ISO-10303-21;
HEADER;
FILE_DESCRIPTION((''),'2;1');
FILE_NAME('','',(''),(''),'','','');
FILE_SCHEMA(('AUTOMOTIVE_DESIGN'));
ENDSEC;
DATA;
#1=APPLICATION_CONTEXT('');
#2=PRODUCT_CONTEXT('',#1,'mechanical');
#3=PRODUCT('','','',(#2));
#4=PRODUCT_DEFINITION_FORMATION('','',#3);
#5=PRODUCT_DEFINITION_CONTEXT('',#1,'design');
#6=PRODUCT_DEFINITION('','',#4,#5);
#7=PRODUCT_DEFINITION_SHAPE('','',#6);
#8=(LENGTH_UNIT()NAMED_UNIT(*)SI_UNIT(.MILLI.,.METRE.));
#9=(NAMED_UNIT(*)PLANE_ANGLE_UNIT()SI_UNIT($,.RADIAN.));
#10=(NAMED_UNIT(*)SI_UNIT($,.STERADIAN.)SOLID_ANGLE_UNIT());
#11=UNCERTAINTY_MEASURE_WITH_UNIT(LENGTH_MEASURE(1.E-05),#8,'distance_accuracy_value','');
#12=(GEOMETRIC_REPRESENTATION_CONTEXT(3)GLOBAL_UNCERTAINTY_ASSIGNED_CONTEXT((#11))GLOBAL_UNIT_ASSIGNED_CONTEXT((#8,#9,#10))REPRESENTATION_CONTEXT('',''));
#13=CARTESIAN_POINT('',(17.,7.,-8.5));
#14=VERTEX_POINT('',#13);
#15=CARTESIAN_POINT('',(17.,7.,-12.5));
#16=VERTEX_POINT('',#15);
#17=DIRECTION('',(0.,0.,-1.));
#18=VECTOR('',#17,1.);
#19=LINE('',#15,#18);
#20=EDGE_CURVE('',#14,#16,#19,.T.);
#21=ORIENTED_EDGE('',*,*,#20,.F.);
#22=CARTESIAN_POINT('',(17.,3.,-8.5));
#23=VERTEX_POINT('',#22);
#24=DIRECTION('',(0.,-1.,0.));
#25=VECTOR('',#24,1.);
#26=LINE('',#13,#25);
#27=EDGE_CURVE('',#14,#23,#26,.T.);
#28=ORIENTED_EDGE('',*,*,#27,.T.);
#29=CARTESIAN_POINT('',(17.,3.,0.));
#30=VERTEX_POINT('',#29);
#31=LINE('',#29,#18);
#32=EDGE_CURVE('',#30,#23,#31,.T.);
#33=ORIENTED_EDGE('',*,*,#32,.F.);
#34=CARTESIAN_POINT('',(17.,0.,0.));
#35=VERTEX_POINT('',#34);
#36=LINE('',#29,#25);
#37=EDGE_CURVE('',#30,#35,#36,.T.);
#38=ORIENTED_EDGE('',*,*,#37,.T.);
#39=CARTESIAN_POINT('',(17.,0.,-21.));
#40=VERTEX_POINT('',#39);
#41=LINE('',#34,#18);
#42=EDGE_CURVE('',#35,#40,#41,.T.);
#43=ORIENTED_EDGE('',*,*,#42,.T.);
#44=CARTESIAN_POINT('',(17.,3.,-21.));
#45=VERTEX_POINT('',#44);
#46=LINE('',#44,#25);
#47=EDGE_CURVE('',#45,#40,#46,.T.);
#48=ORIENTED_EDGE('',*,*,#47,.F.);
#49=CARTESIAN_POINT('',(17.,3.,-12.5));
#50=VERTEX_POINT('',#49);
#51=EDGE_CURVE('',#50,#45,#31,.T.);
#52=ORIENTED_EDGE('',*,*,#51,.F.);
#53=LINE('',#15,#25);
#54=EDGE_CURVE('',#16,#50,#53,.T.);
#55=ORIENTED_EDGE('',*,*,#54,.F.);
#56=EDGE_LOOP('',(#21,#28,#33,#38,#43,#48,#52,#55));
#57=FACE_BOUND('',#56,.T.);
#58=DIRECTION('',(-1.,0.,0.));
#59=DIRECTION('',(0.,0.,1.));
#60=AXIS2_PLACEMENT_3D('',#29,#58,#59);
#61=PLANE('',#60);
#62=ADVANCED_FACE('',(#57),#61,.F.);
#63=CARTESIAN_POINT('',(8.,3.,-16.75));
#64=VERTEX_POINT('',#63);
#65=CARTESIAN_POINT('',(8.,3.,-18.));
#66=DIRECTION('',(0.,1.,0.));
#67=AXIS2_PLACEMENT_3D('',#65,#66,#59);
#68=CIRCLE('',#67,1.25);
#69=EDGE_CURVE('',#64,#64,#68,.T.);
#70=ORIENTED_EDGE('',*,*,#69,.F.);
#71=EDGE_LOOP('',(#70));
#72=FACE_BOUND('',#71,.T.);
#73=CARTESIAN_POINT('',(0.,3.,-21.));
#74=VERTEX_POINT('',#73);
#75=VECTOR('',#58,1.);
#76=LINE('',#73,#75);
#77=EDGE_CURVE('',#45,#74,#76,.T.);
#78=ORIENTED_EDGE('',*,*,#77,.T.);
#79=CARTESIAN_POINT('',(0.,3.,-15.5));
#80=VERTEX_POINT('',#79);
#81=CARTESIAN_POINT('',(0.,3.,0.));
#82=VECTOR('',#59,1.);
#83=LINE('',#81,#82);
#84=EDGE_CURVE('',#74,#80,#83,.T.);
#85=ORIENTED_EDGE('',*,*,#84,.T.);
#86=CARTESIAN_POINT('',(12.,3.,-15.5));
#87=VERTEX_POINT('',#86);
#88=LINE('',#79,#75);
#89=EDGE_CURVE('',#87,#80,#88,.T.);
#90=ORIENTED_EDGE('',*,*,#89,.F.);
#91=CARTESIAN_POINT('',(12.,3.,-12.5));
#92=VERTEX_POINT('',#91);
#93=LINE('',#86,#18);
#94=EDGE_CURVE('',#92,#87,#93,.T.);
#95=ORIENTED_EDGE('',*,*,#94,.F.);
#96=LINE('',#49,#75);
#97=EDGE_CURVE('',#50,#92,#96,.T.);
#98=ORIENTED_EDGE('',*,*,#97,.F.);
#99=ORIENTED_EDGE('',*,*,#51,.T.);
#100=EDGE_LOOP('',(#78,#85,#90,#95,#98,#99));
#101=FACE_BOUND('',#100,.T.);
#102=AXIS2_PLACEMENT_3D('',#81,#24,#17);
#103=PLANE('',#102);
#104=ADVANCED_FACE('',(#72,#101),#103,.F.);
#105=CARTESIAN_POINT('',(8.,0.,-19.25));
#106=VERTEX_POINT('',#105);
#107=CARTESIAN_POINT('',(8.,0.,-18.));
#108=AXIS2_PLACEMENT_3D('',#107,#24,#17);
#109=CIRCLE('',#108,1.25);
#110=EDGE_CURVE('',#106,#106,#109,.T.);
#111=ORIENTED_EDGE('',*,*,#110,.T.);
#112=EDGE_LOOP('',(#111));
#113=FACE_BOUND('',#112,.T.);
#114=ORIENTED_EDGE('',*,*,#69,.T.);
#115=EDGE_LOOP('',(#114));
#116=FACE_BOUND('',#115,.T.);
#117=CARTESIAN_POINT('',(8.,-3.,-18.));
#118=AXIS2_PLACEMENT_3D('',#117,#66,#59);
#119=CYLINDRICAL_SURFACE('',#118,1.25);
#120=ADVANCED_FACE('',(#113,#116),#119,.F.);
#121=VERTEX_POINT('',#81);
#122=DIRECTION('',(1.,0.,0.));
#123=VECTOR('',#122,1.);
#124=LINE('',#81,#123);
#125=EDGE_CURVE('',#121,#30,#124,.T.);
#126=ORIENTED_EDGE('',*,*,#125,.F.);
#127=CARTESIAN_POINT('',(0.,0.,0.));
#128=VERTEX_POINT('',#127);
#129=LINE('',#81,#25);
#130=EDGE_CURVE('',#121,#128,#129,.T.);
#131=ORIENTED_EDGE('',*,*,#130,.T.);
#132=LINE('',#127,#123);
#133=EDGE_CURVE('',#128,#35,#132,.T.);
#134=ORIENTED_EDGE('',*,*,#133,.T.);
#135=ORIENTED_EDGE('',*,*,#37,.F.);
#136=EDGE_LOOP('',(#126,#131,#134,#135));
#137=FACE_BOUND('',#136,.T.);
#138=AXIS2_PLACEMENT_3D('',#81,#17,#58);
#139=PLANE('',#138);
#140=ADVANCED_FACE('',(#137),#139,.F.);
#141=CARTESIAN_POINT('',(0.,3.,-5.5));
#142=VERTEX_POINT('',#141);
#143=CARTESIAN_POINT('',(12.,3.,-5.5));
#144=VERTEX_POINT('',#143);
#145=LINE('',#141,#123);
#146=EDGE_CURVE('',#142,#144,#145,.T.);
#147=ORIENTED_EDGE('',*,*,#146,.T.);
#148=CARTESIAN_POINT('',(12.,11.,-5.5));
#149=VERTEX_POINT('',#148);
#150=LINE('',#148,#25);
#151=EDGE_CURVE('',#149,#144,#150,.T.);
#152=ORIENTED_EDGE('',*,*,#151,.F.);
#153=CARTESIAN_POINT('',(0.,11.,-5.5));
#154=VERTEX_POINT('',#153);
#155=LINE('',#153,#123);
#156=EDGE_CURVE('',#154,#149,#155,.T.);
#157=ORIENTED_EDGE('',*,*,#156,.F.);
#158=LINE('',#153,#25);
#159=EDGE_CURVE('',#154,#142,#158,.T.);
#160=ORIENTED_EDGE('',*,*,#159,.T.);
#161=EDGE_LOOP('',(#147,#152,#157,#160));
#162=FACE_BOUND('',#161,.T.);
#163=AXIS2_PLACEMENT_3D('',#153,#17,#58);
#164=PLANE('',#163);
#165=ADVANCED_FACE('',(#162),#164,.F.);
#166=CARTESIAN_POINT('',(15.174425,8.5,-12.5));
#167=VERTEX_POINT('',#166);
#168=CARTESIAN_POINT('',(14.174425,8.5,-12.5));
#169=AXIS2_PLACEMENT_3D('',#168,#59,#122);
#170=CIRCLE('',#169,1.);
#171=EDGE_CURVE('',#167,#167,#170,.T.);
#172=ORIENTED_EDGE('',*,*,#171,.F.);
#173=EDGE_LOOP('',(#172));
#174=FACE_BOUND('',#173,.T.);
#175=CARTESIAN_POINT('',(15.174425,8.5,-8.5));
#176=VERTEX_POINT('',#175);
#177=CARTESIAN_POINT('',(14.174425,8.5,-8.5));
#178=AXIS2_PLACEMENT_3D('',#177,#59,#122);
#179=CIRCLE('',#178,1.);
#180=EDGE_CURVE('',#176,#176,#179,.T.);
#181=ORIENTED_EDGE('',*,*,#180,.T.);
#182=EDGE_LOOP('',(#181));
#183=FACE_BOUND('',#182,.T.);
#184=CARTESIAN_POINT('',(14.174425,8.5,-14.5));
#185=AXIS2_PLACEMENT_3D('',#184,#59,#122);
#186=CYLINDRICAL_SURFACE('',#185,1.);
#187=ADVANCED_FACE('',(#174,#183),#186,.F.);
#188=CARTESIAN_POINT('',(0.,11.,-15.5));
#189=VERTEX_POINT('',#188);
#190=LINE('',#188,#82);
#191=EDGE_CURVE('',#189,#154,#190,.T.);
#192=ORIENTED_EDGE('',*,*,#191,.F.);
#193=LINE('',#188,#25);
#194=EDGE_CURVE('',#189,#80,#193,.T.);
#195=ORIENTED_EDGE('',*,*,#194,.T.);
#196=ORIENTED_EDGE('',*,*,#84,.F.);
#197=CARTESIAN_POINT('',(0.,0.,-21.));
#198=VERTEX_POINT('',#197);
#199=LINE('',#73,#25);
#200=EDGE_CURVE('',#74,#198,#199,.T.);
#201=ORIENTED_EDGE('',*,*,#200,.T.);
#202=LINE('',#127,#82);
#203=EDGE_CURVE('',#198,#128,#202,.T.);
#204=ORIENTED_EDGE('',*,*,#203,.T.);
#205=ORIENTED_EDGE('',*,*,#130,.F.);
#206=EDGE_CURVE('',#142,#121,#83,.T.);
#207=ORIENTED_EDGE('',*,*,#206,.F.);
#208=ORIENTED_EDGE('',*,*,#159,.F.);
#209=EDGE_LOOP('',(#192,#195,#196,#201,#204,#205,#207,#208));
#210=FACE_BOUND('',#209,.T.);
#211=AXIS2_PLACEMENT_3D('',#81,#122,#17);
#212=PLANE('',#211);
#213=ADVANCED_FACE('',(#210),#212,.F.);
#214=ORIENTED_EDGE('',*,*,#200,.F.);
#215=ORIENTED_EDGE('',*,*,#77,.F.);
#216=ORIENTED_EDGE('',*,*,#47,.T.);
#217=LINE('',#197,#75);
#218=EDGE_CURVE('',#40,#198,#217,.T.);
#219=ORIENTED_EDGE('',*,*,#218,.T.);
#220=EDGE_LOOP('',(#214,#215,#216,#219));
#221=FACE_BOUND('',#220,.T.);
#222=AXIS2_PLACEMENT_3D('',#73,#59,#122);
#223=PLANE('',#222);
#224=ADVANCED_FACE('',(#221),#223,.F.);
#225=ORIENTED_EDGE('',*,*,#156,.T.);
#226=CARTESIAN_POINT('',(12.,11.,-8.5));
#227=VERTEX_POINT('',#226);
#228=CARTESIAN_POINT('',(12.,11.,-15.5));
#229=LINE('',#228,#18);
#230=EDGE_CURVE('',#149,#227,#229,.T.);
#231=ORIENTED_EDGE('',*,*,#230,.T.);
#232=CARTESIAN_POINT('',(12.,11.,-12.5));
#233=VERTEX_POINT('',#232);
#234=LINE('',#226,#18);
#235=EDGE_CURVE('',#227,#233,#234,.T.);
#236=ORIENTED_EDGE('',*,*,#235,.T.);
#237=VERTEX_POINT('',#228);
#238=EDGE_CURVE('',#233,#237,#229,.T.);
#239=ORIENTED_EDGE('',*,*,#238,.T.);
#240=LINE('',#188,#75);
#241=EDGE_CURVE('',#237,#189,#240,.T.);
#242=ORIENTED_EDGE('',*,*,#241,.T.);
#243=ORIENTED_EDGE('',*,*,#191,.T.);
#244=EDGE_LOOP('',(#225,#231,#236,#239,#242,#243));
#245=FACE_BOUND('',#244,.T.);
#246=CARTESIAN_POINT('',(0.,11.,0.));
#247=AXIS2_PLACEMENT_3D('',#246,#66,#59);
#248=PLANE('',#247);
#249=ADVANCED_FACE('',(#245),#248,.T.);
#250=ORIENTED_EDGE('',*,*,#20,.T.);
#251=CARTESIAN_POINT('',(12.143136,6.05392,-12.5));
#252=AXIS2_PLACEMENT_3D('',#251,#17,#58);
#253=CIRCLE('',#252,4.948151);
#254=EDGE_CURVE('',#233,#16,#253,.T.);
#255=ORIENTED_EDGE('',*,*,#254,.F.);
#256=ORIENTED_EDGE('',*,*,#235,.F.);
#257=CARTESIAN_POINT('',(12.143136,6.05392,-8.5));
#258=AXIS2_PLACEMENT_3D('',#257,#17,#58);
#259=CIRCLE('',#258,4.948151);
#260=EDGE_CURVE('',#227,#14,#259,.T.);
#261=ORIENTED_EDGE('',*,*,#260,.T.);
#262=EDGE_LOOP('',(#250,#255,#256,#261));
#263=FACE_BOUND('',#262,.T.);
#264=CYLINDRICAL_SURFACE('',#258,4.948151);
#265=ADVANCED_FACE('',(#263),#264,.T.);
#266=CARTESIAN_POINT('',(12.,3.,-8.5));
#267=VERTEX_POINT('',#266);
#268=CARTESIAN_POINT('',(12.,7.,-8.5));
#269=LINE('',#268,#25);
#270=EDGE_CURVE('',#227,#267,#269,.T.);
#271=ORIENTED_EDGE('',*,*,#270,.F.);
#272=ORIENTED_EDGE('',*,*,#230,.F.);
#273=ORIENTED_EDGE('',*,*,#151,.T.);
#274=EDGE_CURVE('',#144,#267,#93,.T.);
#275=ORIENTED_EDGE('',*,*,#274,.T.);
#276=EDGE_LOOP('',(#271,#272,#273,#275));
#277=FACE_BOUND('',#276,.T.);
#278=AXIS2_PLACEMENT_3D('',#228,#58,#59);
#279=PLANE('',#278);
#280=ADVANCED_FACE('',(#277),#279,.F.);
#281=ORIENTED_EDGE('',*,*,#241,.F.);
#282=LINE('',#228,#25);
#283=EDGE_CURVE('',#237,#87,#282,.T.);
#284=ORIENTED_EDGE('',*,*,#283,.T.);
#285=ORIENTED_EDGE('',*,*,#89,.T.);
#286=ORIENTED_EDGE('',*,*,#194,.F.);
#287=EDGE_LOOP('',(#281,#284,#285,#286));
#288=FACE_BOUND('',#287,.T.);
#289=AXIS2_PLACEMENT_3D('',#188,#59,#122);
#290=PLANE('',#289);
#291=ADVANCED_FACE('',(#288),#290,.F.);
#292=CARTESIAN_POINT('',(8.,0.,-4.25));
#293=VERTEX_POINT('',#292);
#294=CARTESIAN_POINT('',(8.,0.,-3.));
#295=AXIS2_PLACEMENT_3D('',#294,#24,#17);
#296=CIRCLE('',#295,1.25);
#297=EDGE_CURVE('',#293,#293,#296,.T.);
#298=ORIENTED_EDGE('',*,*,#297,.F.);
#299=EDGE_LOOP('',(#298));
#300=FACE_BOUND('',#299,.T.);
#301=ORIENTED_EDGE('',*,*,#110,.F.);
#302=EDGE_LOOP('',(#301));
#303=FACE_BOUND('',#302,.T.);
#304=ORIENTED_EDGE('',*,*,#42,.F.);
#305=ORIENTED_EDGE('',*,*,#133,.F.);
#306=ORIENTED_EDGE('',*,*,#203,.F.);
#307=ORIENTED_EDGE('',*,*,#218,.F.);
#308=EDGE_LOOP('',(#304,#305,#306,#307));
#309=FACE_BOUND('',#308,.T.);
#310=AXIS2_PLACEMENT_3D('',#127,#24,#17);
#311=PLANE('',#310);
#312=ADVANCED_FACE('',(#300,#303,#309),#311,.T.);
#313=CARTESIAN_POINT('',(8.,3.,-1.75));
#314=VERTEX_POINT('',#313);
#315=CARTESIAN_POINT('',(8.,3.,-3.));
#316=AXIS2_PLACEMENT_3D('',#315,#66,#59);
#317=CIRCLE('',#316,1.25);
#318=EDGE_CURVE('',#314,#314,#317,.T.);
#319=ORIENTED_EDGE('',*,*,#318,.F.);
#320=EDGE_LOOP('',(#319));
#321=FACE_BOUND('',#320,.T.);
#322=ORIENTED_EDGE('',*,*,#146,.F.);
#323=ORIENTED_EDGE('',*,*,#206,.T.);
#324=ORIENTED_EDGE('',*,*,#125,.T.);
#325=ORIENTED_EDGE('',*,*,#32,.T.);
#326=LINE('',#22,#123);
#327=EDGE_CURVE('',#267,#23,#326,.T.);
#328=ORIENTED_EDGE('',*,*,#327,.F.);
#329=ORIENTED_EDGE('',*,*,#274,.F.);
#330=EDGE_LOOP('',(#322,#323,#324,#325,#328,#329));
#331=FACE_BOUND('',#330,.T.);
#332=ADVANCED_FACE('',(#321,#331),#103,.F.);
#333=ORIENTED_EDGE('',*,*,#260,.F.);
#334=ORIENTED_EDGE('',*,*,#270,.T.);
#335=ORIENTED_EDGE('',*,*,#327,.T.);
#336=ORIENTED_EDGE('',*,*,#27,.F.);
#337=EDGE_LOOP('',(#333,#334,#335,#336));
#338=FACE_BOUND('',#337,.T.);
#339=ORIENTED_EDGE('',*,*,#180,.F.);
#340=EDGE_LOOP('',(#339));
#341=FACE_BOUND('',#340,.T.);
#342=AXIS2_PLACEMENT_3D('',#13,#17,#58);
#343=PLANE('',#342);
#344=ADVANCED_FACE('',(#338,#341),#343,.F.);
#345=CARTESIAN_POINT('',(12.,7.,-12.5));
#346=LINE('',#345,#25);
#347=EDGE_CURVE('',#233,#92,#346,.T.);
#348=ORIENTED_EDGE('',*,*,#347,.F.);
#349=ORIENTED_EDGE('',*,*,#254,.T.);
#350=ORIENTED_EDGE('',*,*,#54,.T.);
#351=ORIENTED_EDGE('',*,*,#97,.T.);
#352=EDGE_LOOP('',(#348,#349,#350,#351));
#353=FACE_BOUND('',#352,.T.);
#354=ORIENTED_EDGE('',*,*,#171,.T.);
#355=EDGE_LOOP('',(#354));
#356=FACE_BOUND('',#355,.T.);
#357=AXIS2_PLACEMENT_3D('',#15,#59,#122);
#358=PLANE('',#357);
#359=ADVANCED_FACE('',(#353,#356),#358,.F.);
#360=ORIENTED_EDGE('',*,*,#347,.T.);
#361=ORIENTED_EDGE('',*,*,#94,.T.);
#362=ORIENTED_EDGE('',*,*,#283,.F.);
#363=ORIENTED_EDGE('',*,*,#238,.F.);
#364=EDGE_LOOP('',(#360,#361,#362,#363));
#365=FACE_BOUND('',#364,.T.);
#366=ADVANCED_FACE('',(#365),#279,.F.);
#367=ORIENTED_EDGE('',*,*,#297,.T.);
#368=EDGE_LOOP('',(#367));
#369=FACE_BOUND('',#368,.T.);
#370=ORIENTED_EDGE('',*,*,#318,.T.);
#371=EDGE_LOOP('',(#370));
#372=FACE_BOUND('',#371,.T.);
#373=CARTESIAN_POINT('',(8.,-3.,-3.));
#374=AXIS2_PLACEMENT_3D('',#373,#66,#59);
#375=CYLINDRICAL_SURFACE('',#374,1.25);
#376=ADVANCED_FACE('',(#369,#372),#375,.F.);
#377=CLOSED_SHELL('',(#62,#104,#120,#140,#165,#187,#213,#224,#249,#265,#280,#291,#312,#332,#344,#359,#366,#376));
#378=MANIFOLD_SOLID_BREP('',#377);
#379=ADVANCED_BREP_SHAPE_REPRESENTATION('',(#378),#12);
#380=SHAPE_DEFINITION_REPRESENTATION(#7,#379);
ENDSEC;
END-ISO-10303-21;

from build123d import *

# Parameters (mm, degrees)
SKETCH2_W           = 17
SKETCH2_H           = 21
BOSS_EXTRUDE1_DEPTH = 3
SKETCH4_R           = 1.25
CUT_EXTRUDE1_DEPTH  = 6
SKETCH5_R           = 1.25
CUT_EXTRUDE2_DEPTH  = 6
SKETCH6_W           = 12
SKETCH6_H           = 10
BOSS_EXTRUDE3_DEPTH = 8
SKETCH7_W           = 5
SKETCH7_H           = 4
BOSS_EXTRUDE4_DEPTH = 4
BOSS_EXTRUDE5_DEPTH = 4
SKETCH9_R           = 1
CUT_EXTRUDE3_DEPTH  = 6


with BuildPart() as part:
    # Sketch2 → Boss-Extrude1 (new body)
    with BuildSketch(Plane(origin=(0, 0, 0), x_dir=(1, 0, 0), z_dir=(0, 1, 0))):
        with Locations((8.5, 10.5)):
            Rectangle(SKETCH2_W, SKETCH2_H)
    extrude(amount=BOSS_EXTRUDE1_DEPTH)

    # Sketch4 → Cut-Extrude1 (cut)
    with BuildSketch(Plane(origin=(0, 3, 0), x_dir=(1, 0, 0), z_dir=(0, 1, 0))):
        with Locations(Location((8, 18, 0), (0, 0, 270))):
            Circle(SKETCH4_R)
    extrude(amount=-CUT_EXTRUDE1_DEPTH, mode=Mode.SUBTRACT)

    # Sketch5 → Cut-Extrude2 (cut)
    with BuildSketch(Plane(origin=(0, 3, 0), x_dir=(1, 0, 0), z_dir=(0, 1, 0))):
        with Locations(Location((8, 3, 0), (0, 0, 270))):
            Circle(SKETCH5_R)
    extrude(amount=-CUT_EXTRUDE2_DEPTH, mode=Mode.SUBTRACT)

    # Sketch6 → Boss-Extrude3 (add)
    with BuildSketch(Plane(origin=(0, 3, 0), x_dir=(1, 0, 0), z_dir=(0, 1, 0))):
        with Locations((6, 10.5)):
            Rectangle(SKETCH6_W, SKETCH6_H)
    extrude(amount=BOSS_EXTRUDE3_DEPTH)

    # Sketch7 → Boss-Extrude4 (add)
    with BuildSketch(Plane(origin=(0, 3, 0), x_dir=(1, 0, 0), z_dir=(0, 1, 0))):
        with Locations((14.5, 10.5)):
            Rectangle(SKETCH7_W, SKETCH7_H)
    extrude(amount=BOSS_EXTRUDE4_DEPTH)

    # Sketch8 → Boss-Extrude5 (add)
    with BuildSketch(Plane(origin=(0, 0, -12.5), x_dir=(-1, 0, 0), z_dir=(0, 0, -1))):
        with BuildLine():
            Line((-17, 7), (-12, 7))
            Line((-12, 7), (-12, 11))
            ThreePointArc((-12, 11), (-15.234221224, 9.91777653), (-17, 7))
        make_face()
    extrude(amount=-BOSS_EXTRUDE5_DEPTH)

    # Sketch9 → Cut-Extrude3 (cut)
    with BuildSketch(Plane.XY.offset(-8.5)):
        with Locations((14.174425002, 8.5)):
            Circle(SKETCH9_R)
    extrude(amount=-CUT_EXTRUDE3_DEPTH, mode=Mode.SUBTRACT)


solid = part.part
